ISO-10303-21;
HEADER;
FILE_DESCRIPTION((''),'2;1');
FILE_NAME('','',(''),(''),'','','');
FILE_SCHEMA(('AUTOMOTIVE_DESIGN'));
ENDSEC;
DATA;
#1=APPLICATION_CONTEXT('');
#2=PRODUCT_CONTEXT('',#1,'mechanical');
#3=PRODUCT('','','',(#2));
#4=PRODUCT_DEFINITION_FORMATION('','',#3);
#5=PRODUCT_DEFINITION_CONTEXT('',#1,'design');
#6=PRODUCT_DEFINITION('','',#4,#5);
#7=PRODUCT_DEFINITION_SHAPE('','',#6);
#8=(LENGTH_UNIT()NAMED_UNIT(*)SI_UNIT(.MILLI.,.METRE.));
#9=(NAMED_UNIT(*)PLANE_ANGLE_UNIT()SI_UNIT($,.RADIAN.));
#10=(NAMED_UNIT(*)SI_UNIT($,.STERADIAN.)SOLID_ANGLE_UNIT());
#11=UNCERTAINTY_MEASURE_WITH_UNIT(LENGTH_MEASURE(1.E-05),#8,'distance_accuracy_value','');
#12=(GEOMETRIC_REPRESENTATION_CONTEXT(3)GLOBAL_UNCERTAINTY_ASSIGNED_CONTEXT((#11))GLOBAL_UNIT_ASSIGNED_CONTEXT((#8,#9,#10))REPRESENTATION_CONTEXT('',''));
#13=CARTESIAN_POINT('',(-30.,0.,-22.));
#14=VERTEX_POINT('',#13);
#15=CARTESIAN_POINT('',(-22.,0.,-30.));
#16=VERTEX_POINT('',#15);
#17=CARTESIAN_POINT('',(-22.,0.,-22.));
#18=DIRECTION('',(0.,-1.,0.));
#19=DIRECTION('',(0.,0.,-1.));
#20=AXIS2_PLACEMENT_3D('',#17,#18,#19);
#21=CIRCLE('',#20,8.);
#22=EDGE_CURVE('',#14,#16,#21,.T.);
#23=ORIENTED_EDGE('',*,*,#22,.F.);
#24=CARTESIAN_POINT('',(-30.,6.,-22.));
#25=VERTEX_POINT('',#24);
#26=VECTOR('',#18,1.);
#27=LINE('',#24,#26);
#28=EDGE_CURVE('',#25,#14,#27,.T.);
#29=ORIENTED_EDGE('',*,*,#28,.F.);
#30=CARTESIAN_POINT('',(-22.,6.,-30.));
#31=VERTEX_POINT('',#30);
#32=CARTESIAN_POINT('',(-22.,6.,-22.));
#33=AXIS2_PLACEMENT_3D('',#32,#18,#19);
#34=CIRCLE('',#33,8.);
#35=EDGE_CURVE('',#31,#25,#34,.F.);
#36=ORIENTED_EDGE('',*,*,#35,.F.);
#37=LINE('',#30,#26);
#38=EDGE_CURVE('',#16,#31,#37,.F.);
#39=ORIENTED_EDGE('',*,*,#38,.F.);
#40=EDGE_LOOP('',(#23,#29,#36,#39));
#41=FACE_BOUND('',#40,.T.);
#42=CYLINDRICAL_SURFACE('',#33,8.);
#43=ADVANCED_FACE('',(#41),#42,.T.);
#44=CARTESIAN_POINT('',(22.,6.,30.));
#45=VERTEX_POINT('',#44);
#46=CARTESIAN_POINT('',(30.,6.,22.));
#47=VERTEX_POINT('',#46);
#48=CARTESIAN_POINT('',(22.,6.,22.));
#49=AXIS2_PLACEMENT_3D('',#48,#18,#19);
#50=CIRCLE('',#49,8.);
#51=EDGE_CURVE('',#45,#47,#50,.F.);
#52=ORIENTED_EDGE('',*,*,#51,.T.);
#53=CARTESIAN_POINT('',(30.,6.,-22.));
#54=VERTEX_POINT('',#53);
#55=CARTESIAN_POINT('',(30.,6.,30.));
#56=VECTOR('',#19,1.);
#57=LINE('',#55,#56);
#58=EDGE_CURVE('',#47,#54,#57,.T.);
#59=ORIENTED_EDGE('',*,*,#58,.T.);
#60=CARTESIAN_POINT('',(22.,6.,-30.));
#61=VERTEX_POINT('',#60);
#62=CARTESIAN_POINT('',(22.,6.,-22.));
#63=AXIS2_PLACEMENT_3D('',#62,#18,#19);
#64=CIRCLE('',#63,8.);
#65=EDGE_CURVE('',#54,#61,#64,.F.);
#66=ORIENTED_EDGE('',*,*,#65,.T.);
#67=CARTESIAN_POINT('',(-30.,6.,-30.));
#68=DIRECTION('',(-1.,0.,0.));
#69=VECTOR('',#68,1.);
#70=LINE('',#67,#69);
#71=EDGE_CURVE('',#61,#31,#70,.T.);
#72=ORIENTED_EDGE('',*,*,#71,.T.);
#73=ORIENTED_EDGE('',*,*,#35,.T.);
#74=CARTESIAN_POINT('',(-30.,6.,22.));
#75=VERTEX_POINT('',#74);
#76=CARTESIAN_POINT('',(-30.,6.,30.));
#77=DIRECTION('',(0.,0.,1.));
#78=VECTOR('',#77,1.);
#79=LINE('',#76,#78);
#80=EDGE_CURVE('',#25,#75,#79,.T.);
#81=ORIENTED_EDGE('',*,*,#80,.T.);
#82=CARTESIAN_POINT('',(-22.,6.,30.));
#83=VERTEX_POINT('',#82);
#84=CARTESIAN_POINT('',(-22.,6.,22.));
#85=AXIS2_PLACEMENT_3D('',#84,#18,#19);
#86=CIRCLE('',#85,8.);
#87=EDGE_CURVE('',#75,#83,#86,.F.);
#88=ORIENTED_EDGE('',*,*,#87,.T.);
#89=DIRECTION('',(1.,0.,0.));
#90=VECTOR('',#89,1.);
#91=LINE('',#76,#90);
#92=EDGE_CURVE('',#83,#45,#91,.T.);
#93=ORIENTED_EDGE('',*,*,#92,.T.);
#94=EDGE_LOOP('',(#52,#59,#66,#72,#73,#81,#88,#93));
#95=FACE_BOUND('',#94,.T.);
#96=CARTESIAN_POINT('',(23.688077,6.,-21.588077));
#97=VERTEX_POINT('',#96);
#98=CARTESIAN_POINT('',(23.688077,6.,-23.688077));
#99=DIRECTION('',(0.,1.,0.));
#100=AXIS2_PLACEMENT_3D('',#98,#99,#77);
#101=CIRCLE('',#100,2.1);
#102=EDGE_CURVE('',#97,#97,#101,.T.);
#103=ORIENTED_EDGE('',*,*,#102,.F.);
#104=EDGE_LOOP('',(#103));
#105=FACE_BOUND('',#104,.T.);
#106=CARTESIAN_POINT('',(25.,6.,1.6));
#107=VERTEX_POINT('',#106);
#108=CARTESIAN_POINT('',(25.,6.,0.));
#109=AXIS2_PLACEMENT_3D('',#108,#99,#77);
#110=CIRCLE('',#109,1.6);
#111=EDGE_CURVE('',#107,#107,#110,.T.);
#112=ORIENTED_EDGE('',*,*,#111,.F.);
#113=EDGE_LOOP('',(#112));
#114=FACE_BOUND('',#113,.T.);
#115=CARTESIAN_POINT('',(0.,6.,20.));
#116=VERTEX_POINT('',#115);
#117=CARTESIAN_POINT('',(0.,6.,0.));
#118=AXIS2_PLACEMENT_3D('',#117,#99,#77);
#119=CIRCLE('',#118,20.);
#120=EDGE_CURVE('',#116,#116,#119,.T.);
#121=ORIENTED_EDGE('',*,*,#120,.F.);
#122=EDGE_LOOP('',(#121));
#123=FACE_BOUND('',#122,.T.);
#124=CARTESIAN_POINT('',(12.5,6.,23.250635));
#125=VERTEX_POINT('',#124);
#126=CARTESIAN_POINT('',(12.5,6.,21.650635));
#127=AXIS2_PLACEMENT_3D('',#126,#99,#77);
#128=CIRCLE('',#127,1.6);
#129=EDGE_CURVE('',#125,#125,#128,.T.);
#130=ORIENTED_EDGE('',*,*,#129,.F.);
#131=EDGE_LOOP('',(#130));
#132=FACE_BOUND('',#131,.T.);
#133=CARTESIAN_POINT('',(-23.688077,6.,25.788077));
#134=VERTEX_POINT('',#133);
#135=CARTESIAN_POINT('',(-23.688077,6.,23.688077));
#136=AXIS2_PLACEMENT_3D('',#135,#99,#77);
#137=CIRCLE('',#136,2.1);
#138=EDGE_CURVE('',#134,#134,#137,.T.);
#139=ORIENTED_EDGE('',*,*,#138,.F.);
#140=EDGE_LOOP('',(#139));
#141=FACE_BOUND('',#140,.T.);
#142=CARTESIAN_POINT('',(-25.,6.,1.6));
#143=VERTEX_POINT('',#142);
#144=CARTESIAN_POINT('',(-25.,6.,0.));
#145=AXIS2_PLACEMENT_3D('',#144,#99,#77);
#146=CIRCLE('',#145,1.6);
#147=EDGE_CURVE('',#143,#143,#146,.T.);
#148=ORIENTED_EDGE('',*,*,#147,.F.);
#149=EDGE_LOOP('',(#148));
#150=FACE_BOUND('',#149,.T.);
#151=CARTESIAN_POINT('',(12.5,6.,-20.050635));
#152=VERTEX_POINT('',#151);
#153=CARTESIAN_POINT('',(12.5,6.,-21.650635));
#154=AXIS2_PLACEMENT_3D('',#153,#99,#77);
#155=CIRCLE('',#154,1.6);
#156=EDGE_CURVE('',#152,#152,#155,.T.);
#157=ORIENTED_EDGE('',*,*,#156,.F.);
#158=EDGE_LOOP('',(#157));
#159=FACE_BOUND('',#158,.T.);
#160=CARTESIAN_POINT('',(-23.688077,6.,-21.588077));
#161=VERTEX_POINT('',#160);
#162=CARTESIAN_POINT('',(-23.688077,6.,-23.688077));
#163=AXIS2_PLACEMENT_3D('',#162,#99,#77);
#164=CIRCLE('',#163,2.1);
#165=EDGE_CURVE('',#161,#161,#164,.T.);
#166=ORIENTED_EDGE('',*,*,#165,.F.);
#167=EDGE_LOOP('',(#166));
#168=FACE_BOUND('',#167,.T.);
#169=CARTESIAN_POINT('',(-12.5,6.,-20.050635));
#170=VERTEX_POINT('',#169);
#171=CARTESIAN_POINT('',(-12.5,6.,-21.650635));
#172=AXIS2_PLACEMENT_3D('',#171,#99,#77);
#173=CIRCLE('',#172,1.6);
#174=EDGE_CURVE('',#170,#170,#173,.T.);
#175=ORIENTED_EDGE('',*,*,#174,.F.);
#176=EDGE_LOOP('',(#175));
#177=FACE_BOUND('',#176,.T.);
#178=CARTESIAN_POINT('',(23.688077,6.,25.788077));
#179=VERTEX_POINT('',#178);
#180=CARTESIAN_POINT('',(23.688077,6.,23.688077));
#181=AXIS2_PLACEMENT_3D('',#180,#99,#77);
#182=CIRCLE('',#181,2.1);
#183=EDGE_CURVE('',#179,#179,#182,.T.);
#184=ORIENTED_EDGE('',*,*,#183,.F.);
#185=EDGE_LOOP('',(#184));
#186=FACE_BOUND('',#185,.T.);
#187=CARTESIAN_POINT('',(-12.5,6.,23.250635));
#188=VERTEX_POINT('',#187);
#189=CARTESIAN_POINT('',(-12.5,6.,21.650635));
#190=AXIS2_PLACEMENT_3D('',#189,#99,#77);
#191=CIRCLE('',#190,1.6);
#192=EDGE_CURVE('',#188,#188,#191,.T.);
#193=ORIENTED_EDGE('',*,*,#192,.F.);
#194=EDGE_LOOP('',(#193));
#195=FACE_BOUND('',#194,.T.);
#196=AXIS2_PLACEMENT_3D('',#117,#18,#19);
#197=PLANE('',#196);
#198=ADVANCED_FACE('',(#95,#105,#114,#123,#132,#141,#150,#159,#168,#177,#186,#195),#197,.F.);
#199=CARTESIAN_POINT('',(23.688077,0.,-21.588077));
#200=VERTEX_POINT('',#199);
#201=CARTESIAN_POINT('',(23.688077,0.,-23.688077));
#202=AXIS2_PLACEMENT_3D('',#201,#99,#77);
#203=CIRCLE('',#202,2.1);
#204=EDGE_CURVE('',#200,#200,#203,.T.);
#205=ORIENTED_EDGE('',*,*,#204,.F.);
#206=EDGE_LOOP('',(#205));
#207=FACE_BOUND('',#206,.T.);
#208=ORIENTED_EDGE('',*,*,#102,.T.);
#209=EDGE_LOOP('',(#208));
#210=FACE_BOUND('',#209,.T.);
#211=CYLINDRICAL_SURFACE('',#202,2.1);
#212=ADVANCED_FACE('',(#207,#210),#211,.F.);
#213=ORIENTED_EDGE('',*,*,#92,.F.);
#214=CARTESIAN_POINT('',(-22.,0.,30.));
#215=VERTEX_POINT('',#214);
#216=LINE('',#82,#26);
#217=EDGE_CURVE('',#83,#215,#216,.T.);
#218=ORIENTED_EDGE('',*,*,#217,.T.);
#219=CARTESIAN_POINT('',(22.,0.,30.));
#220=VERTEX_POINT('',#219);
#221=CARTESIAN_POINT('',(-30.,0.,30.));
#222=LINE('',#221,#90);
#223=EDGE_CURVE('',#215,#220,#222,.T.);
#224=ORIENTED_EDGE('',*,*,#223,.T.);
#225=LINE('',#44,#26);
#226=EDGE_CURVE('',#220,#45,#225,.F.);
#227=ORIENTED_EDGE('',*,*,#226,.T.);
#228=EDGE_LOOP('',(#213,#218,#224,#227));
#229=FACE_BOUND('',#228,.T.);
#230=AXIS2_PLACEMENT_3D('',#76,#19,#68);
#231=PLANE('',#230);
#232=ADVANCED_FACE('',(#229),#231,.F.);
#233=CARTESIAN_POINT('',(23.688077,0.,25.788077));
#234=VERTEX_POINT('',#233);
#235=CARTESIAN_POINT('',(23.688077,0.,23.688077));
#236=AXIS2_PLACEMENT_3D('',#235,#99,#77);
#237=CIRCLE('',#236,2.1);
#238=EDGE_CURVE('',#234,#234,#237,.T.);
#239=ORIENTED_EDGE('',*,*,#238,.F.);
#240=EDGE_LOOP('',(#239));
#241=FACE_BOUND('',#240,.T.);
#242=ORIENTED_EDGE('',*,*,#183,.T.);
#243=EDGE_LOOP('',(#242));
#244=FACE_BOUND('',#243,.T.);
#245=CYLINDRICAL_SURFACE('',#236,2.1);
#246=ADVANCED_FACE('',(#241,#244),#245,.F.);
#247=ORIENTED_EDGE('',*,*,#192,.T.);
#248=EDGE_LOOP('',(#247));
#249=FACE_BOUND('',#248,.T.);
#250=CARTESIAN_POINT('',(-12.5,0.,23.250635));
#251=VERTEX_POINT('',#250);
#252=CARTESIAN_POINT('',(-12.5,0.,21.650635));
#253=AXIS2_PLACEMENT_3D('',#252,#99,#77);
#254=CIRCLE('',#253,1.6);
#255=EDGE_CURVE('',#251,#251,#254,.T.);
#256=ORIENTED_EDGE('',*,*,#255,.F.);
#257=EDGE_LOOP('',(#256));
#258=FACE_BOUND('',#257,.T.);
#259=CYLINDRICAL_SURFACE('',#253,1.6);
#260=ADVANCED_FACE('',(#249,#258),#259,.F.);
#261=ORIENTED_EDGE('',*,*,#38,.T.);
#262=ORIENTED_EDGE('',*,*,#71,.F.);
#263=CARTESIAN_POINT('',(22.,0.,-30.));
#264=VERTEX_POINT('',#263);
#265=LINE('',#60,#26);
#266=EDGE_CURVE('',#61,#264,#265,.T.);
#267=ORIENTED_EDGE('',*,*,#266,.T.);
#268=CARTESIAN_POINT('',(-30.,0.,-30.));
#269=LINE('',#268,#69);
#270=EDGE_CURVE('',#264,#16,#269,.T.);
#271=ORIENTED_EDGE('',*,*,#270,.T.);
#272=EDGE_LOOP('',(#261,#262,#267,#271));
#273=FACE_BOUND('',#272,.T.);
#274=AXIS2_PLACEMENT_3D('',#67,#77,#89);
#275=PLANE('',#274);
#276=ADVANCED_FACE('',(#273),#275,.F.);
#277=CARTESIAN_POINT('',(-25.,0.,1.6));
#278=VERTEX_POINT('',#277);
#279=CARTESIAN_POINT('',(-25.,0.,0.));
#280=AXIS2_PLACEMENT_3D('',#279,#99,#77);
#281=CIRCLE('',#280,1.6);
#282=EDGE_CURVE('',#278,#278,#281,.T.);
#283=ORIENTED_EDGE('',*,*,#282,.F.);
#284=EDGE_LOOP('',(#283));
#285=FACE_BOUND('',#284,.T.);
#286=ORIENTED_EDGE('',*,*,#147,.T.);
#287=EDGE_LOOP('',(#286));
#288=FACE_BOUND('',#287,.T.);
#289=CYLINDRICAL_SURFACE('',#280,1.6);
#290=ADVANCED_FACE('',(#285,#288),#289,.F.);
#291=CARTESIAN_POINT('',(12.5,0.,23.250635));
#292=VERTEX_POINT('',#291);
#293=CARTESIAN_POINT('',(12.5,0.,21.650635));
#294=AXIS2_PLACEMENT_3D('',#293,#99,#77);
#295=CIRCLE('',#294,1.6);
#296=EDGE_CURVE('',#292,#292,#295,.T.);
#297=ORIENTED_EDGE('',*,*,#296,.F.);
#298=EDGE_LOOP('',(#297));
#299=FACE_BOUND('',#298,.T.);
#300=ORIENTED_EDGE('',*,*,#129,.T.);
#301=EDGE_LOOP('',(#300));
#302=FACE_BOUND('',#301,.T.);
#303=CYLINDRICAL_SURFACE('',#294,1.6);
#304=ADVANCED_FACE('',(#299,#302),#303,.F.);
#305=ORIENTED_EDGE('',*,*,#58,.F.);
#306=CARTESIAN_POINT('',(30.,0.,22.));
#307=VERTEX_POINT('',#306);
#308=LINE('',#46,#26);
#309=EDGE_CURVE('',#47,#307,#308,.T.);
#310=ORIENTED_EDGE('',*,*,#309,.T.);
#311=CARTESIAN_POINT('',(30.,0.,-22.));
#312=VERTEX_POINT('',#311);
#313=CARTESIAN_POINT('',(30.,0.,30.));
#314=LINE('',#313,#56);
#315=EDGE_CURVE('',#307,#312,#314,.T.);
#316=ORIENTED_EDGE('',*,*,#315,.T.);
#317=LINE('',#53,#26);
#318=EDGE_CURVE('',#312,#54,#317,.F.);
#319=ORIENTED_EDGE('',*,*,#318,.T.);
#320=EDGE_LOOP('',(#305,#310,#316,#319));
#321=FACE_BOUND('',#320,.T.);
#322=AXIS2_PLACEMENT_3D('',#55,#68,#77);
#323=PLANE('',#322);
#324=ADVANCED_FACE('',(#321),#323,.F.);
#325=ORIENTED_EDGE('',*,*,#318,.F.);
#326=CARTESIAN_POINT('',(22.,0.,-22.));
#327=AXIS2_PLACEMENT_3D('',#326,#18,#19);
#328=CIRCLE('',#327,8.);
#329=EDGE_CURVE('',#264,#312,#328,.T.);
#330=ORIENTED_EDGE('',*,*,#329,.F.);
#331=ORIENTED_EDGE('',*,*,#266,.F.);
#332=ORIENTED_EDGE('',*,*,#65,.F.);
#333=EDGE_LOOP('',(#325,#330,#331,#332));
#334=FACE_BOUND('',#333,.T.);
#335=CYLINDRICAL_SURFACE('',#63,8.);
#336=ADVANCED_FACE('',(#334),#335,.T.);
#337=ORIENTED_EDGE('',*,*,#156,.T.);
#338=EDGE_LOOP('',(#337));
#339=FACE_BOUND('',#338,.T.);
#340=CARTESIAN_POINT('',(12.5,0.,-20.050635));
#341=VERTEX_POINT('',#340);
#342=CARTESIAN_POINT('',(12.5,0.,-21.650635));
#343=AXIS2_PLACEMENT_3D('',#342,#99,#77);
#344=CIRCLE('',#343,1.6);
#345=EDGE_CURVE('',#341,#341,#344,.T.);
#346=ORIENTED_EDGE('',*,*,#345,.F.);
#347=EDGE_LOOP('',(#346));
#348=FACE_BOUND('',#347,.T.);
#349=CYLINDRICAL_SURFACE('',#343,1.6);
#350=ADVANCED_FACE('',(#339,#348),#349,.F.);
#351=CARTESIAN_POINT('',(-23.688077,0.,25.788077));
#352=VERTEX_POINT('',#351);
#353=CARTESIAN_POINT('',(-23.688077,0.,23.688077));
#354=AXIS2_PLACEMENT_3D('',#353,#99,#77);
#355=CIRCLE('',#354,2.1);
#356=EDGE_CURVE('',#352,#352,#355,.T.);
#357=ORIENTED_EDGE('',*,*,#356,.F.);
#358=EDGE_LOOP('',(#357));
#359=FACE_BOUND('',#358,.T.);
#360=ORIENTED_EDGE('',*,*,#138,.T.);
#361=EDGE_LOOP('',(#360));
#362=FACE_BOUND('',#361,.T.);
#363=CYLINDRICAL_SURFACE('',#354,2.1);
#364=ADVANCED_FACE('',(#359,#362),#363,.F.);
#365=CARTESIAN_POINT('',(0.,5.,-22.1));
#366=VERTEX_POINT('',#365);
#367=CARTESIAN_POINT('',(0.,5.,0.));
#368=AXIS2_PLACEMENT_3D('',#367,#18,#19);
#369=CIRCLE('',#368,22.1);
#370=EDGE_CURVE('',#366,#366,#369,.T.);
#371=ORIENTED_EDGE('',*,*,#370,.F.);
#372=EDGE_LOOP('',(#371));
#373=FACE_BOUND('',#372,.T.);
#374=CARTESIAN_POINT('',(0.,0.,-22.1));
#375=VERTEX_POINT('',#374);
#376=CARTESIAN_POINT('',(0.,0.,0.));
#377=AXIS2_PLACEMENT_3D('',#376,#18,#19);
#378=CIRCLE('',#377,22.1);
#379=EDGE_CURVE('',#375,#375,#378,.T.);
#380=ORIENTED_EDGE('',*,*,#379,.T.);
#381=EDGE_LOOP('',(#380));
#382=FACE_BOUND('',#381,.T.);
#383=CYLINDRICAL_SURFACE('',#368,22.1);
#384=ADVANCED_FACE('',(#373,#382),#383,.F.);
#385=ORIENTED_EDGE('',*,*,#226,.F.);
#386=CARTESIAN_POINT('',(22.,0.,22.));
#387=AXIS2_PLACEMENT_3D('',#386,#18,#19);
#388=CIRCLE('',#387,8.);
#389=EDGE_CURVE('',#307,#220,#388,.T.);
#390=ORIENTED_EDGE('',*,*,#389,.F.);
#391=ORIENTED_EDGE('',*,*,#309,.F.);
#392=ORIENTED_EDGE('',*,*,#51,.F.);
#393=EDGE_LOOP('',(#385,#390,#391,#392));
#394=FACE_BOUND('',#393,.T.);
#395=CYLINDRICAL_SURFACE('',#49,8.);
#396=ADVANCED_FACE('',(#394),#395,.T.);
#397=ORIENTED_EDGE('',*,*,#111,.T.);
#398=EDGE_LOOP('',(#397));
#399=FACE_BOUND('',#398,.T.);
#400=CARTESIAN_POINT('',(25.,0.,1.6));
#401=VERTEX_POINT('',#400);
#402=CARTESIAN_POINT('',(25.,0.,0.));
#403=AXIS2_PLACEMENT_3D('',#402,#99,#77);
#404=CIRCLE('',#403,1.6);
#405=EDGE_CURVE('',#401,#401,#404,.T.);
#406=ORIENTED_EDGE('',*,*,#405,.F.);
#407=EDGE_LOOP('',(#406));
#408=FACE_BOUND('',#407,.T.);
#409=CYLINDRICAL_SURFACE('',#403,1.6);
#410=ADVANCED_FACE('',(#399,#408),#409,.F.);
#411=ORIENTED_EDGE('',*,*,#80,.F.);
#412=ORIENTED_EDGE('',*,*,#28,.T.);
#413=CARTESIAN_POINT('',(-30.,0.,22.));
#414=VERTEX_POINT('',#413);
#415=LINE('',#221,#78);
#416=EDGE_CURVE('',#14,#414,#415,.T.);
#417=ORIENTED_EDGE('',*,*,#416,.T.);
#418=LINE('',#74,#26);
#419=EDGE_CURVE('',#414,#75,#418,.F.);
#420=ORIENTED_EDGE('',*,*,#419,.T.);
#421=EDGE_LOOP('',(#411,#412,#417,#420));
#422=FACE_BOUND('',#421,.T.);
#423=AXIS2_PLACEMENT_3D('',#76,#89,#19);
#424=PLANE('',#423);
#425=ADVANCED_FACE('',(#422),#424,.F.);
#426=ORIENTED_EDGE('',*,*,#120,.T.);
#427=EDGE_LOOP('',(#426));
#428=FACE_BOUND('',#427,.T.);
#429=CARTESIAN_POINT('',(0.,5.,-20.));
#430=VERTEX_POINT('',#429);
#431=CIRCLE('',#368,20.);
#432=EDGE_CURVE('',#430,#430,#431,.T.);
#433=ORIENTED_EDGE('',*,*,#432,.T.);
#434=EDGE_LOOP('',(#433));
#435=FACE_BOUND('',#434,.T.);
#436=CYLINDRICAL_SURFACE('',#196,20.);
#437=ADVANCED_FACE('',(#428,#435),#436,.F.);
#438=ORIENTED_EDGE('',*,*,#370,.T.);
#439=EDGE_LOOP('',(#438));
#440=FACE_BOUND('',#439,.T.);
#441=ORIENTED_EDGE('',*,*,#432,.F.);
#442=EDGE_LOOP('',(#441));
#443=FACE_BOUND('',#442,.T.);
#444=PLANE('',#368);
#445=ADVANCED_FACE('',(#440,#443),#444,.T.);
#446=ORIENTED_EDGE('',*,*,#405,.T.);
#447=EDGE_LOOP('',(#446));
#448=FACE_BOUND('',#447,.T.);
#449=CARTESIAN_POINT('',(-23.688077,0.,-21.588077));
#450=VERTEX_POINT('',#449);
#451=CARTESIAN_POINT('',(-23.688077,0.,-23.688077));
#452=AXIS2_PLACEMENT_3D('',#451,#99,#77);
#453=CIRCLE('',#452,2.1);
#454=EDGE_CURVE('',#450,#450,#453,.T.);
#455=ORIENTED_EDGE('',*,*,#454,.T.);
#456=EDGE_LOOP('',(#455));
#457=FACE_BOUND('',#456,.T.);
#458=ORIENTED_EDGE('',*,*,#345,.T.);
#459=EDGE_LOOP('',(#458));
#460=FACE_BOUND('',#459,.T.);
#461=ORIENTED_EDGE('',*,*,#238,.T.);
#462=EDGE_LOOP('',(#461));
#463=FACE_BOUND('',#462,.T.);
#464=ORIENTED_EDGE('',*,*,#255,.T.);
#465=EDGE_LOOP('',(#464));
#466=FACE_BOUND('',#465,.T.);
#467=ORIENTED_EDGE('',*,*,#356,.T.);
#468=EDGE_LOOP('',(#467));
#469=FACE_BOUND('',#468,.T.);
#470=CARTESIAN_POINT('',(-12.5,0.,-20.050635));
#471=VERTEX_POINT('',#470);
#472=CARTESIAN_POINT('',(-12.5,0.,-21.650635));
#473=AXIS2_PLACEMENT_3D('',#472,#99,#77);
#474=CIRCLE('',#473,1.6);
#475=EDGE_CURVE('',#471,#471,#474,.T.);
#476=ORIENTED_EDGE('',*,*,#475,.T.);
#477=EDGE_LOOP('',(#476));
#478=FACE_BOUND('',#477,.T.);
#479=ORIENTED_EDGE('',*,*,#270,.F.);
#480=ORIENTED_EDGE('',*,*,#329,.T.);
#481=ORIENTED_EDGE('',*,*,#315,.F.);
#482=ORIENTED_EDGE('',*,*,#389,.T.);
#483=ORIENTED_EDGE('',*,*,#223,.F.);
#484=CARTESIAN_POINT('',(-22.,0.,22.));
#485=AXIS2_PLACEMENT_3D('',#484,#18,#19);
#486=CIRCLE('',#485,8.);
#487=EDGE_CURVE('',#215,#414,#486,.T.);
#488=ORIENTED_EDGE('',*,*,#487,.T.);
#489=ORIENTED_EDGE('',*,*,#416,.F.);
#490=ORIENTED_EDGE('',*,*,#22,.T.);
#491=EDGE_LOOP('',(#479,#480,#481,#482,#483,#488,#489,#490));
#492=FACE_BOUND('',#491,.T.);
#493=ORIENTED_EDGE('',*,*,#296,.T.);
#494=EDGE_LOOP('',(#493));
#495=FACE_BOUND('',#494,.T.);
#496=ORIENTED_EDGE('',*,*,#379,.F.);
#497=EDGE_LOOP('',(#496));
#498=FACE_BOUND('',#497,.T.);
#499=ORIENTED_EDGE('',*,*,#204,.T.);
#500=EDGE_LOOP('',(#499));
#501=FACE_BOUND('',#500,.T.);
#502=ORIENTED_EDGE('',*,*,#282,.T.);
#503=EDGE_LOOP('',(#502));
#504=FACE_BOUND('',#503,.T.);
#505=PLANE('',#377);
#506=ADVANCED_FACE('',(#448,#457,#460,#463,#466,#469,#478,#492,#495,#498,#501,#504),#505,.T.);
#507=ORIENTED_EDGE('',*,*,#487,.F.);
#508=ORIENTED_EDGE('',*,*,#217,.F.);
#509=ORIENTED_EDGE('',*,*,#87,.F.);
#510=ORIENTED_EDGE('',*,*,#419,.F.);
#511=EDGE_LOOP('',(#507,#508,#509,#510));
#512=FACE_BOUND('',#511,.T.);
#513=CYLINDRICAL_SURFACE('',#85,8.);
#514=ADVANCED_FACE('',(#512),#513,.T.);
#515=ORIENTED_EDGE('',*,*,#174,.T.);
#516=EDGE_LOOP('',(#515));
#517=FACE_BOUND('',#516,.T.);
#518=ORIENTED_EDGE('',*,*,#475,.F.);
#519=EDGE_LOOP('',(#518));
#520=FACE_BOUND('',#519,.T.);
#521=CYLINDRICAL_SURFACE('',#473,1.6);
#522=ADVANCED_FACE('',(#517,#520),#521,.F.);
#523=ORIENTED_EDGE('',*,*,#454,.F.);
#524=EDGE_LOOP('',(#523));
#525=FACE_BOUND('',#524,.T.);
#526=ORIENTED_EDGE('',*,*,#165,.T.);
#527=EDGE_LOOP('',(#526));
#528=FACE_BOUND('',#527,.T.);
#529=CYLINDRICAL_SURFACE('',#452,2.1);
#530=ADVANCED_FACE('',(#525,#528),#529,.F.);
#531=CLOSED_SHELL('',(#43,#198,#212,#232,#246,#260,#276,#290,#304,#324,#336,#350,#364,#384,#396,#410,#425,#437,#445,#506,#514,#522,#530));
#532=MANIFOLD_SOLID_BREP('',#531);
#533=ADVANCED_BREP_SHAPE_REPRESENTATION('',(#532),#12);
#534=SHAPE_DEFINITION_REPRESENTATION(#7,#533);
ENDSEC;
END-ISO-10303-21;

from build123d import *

# Parameters (mm, degrees)
SKETCH_1_W          = 60
SKETCH_1_H          = 60
SKETCH_1_R          = 20
EXTRUDE_1_DEPTH     = 6
SKETCH_3_R          = 22.1
CUT_EXTRUDE_1_DEPTH = 5
SKETCH_4_R          = 1.6
SKETCH_4_R_2        = 2.1
CUT_EXTRUDE_2_DEPTH = 6
FILLET_1_R          = 8


with BuildPart() as part:
    # 草图1 → 凸台-拉伸1 (new body)
    with BuildSketch(Plane(origin=(0, 0, 0), x_dir=(1, 0, 0), z_dir=(0, 1, 0))):
        Rectangle(SKETCH_1_W, SKETCH_1_H)
        with Locations(Location((0, 0, 0), (0, 0, 270))):
            Circle(SKETCH_1_R, mode=Mode.SUBTRACT)
    extrude(amount=EXTRUDE_1_DEPTH)

    # 草图3 → 切除-拉伸1 (cut)
    with BuildSketch(Plane.XZ):
        with Locations(Location((0, 0, 0), (0, 0, 270))):
            Circle(SKETCH_3_R)
    extrude(amount=-CUT_EXTRUDE_1_DEPTH, mode=Mode.SUBTRACT)

    # 草图4 → 切除-拉伸2 (cut)
    with BuildSketch(Plane(origin=(0, 6, 0), x_dir=(1, 0, 0), z_dir=(0, 1, 0))):
        with Locations(Location((25, 0, 0), (0, 0, 270))):
            Circle(SKETCH_4_R)
        with Locations(Location((12.5, -21.650635095, 0), (0, 0, 270))):
            Circle(SKETCH_4_R)
        with Locations(Location((-12.5, -21.650635095, 0), (0, 0, 270))):
            Circle(SKETCH_4_R)
        with Locations(Location((-25, 0, 0), (0, 0, 270))):
            Circle(SKETCH_4_R)
        with Locations(Location((-12.5, 21.650635095, 0), (0, 0, 270))):
            Circle(SKETCH_4_R)
        with Locations(Location((12.5, 21.650635095, 0), (0, 0, 270))):
            Circle(SKETCH_4_R)
        with Locations(Location((23.68807717, 23.68807717, 0), (0, 0, 270))):
            Circle(SKETCH_4_R_2)
        with Locations(Location((23.68807717, -23.68807717, 0), (0, 0, 270))):
            Circle(SKETCH_4_R_2)
        with Locations(Location((-23.68807717, -23.68807717, 0), (0, 0, 270))):
            Circle(SKETCH_4_R_2)
        with Locations(Location((-23.68807717, 23.68807717, 0), (0, 0, 270))):
            Circle(SKETCH_4_R_2)
    extrude(amount=-CUT_EXTRUDE_2_DEPTH, mode=Mode.SUBTRACT)

    # 圆角1
    fillet_1_edges = [part.edges().sort_by_distance(p)[0] for p in [
        (30, 3, 30),
        (-30, 3, 30),
        (-30, 3, -30),
        (30, 3, -30),
    ]]
    fillet(fillet_1_edges, radius=FILLET_1_R)


solid = part.part
